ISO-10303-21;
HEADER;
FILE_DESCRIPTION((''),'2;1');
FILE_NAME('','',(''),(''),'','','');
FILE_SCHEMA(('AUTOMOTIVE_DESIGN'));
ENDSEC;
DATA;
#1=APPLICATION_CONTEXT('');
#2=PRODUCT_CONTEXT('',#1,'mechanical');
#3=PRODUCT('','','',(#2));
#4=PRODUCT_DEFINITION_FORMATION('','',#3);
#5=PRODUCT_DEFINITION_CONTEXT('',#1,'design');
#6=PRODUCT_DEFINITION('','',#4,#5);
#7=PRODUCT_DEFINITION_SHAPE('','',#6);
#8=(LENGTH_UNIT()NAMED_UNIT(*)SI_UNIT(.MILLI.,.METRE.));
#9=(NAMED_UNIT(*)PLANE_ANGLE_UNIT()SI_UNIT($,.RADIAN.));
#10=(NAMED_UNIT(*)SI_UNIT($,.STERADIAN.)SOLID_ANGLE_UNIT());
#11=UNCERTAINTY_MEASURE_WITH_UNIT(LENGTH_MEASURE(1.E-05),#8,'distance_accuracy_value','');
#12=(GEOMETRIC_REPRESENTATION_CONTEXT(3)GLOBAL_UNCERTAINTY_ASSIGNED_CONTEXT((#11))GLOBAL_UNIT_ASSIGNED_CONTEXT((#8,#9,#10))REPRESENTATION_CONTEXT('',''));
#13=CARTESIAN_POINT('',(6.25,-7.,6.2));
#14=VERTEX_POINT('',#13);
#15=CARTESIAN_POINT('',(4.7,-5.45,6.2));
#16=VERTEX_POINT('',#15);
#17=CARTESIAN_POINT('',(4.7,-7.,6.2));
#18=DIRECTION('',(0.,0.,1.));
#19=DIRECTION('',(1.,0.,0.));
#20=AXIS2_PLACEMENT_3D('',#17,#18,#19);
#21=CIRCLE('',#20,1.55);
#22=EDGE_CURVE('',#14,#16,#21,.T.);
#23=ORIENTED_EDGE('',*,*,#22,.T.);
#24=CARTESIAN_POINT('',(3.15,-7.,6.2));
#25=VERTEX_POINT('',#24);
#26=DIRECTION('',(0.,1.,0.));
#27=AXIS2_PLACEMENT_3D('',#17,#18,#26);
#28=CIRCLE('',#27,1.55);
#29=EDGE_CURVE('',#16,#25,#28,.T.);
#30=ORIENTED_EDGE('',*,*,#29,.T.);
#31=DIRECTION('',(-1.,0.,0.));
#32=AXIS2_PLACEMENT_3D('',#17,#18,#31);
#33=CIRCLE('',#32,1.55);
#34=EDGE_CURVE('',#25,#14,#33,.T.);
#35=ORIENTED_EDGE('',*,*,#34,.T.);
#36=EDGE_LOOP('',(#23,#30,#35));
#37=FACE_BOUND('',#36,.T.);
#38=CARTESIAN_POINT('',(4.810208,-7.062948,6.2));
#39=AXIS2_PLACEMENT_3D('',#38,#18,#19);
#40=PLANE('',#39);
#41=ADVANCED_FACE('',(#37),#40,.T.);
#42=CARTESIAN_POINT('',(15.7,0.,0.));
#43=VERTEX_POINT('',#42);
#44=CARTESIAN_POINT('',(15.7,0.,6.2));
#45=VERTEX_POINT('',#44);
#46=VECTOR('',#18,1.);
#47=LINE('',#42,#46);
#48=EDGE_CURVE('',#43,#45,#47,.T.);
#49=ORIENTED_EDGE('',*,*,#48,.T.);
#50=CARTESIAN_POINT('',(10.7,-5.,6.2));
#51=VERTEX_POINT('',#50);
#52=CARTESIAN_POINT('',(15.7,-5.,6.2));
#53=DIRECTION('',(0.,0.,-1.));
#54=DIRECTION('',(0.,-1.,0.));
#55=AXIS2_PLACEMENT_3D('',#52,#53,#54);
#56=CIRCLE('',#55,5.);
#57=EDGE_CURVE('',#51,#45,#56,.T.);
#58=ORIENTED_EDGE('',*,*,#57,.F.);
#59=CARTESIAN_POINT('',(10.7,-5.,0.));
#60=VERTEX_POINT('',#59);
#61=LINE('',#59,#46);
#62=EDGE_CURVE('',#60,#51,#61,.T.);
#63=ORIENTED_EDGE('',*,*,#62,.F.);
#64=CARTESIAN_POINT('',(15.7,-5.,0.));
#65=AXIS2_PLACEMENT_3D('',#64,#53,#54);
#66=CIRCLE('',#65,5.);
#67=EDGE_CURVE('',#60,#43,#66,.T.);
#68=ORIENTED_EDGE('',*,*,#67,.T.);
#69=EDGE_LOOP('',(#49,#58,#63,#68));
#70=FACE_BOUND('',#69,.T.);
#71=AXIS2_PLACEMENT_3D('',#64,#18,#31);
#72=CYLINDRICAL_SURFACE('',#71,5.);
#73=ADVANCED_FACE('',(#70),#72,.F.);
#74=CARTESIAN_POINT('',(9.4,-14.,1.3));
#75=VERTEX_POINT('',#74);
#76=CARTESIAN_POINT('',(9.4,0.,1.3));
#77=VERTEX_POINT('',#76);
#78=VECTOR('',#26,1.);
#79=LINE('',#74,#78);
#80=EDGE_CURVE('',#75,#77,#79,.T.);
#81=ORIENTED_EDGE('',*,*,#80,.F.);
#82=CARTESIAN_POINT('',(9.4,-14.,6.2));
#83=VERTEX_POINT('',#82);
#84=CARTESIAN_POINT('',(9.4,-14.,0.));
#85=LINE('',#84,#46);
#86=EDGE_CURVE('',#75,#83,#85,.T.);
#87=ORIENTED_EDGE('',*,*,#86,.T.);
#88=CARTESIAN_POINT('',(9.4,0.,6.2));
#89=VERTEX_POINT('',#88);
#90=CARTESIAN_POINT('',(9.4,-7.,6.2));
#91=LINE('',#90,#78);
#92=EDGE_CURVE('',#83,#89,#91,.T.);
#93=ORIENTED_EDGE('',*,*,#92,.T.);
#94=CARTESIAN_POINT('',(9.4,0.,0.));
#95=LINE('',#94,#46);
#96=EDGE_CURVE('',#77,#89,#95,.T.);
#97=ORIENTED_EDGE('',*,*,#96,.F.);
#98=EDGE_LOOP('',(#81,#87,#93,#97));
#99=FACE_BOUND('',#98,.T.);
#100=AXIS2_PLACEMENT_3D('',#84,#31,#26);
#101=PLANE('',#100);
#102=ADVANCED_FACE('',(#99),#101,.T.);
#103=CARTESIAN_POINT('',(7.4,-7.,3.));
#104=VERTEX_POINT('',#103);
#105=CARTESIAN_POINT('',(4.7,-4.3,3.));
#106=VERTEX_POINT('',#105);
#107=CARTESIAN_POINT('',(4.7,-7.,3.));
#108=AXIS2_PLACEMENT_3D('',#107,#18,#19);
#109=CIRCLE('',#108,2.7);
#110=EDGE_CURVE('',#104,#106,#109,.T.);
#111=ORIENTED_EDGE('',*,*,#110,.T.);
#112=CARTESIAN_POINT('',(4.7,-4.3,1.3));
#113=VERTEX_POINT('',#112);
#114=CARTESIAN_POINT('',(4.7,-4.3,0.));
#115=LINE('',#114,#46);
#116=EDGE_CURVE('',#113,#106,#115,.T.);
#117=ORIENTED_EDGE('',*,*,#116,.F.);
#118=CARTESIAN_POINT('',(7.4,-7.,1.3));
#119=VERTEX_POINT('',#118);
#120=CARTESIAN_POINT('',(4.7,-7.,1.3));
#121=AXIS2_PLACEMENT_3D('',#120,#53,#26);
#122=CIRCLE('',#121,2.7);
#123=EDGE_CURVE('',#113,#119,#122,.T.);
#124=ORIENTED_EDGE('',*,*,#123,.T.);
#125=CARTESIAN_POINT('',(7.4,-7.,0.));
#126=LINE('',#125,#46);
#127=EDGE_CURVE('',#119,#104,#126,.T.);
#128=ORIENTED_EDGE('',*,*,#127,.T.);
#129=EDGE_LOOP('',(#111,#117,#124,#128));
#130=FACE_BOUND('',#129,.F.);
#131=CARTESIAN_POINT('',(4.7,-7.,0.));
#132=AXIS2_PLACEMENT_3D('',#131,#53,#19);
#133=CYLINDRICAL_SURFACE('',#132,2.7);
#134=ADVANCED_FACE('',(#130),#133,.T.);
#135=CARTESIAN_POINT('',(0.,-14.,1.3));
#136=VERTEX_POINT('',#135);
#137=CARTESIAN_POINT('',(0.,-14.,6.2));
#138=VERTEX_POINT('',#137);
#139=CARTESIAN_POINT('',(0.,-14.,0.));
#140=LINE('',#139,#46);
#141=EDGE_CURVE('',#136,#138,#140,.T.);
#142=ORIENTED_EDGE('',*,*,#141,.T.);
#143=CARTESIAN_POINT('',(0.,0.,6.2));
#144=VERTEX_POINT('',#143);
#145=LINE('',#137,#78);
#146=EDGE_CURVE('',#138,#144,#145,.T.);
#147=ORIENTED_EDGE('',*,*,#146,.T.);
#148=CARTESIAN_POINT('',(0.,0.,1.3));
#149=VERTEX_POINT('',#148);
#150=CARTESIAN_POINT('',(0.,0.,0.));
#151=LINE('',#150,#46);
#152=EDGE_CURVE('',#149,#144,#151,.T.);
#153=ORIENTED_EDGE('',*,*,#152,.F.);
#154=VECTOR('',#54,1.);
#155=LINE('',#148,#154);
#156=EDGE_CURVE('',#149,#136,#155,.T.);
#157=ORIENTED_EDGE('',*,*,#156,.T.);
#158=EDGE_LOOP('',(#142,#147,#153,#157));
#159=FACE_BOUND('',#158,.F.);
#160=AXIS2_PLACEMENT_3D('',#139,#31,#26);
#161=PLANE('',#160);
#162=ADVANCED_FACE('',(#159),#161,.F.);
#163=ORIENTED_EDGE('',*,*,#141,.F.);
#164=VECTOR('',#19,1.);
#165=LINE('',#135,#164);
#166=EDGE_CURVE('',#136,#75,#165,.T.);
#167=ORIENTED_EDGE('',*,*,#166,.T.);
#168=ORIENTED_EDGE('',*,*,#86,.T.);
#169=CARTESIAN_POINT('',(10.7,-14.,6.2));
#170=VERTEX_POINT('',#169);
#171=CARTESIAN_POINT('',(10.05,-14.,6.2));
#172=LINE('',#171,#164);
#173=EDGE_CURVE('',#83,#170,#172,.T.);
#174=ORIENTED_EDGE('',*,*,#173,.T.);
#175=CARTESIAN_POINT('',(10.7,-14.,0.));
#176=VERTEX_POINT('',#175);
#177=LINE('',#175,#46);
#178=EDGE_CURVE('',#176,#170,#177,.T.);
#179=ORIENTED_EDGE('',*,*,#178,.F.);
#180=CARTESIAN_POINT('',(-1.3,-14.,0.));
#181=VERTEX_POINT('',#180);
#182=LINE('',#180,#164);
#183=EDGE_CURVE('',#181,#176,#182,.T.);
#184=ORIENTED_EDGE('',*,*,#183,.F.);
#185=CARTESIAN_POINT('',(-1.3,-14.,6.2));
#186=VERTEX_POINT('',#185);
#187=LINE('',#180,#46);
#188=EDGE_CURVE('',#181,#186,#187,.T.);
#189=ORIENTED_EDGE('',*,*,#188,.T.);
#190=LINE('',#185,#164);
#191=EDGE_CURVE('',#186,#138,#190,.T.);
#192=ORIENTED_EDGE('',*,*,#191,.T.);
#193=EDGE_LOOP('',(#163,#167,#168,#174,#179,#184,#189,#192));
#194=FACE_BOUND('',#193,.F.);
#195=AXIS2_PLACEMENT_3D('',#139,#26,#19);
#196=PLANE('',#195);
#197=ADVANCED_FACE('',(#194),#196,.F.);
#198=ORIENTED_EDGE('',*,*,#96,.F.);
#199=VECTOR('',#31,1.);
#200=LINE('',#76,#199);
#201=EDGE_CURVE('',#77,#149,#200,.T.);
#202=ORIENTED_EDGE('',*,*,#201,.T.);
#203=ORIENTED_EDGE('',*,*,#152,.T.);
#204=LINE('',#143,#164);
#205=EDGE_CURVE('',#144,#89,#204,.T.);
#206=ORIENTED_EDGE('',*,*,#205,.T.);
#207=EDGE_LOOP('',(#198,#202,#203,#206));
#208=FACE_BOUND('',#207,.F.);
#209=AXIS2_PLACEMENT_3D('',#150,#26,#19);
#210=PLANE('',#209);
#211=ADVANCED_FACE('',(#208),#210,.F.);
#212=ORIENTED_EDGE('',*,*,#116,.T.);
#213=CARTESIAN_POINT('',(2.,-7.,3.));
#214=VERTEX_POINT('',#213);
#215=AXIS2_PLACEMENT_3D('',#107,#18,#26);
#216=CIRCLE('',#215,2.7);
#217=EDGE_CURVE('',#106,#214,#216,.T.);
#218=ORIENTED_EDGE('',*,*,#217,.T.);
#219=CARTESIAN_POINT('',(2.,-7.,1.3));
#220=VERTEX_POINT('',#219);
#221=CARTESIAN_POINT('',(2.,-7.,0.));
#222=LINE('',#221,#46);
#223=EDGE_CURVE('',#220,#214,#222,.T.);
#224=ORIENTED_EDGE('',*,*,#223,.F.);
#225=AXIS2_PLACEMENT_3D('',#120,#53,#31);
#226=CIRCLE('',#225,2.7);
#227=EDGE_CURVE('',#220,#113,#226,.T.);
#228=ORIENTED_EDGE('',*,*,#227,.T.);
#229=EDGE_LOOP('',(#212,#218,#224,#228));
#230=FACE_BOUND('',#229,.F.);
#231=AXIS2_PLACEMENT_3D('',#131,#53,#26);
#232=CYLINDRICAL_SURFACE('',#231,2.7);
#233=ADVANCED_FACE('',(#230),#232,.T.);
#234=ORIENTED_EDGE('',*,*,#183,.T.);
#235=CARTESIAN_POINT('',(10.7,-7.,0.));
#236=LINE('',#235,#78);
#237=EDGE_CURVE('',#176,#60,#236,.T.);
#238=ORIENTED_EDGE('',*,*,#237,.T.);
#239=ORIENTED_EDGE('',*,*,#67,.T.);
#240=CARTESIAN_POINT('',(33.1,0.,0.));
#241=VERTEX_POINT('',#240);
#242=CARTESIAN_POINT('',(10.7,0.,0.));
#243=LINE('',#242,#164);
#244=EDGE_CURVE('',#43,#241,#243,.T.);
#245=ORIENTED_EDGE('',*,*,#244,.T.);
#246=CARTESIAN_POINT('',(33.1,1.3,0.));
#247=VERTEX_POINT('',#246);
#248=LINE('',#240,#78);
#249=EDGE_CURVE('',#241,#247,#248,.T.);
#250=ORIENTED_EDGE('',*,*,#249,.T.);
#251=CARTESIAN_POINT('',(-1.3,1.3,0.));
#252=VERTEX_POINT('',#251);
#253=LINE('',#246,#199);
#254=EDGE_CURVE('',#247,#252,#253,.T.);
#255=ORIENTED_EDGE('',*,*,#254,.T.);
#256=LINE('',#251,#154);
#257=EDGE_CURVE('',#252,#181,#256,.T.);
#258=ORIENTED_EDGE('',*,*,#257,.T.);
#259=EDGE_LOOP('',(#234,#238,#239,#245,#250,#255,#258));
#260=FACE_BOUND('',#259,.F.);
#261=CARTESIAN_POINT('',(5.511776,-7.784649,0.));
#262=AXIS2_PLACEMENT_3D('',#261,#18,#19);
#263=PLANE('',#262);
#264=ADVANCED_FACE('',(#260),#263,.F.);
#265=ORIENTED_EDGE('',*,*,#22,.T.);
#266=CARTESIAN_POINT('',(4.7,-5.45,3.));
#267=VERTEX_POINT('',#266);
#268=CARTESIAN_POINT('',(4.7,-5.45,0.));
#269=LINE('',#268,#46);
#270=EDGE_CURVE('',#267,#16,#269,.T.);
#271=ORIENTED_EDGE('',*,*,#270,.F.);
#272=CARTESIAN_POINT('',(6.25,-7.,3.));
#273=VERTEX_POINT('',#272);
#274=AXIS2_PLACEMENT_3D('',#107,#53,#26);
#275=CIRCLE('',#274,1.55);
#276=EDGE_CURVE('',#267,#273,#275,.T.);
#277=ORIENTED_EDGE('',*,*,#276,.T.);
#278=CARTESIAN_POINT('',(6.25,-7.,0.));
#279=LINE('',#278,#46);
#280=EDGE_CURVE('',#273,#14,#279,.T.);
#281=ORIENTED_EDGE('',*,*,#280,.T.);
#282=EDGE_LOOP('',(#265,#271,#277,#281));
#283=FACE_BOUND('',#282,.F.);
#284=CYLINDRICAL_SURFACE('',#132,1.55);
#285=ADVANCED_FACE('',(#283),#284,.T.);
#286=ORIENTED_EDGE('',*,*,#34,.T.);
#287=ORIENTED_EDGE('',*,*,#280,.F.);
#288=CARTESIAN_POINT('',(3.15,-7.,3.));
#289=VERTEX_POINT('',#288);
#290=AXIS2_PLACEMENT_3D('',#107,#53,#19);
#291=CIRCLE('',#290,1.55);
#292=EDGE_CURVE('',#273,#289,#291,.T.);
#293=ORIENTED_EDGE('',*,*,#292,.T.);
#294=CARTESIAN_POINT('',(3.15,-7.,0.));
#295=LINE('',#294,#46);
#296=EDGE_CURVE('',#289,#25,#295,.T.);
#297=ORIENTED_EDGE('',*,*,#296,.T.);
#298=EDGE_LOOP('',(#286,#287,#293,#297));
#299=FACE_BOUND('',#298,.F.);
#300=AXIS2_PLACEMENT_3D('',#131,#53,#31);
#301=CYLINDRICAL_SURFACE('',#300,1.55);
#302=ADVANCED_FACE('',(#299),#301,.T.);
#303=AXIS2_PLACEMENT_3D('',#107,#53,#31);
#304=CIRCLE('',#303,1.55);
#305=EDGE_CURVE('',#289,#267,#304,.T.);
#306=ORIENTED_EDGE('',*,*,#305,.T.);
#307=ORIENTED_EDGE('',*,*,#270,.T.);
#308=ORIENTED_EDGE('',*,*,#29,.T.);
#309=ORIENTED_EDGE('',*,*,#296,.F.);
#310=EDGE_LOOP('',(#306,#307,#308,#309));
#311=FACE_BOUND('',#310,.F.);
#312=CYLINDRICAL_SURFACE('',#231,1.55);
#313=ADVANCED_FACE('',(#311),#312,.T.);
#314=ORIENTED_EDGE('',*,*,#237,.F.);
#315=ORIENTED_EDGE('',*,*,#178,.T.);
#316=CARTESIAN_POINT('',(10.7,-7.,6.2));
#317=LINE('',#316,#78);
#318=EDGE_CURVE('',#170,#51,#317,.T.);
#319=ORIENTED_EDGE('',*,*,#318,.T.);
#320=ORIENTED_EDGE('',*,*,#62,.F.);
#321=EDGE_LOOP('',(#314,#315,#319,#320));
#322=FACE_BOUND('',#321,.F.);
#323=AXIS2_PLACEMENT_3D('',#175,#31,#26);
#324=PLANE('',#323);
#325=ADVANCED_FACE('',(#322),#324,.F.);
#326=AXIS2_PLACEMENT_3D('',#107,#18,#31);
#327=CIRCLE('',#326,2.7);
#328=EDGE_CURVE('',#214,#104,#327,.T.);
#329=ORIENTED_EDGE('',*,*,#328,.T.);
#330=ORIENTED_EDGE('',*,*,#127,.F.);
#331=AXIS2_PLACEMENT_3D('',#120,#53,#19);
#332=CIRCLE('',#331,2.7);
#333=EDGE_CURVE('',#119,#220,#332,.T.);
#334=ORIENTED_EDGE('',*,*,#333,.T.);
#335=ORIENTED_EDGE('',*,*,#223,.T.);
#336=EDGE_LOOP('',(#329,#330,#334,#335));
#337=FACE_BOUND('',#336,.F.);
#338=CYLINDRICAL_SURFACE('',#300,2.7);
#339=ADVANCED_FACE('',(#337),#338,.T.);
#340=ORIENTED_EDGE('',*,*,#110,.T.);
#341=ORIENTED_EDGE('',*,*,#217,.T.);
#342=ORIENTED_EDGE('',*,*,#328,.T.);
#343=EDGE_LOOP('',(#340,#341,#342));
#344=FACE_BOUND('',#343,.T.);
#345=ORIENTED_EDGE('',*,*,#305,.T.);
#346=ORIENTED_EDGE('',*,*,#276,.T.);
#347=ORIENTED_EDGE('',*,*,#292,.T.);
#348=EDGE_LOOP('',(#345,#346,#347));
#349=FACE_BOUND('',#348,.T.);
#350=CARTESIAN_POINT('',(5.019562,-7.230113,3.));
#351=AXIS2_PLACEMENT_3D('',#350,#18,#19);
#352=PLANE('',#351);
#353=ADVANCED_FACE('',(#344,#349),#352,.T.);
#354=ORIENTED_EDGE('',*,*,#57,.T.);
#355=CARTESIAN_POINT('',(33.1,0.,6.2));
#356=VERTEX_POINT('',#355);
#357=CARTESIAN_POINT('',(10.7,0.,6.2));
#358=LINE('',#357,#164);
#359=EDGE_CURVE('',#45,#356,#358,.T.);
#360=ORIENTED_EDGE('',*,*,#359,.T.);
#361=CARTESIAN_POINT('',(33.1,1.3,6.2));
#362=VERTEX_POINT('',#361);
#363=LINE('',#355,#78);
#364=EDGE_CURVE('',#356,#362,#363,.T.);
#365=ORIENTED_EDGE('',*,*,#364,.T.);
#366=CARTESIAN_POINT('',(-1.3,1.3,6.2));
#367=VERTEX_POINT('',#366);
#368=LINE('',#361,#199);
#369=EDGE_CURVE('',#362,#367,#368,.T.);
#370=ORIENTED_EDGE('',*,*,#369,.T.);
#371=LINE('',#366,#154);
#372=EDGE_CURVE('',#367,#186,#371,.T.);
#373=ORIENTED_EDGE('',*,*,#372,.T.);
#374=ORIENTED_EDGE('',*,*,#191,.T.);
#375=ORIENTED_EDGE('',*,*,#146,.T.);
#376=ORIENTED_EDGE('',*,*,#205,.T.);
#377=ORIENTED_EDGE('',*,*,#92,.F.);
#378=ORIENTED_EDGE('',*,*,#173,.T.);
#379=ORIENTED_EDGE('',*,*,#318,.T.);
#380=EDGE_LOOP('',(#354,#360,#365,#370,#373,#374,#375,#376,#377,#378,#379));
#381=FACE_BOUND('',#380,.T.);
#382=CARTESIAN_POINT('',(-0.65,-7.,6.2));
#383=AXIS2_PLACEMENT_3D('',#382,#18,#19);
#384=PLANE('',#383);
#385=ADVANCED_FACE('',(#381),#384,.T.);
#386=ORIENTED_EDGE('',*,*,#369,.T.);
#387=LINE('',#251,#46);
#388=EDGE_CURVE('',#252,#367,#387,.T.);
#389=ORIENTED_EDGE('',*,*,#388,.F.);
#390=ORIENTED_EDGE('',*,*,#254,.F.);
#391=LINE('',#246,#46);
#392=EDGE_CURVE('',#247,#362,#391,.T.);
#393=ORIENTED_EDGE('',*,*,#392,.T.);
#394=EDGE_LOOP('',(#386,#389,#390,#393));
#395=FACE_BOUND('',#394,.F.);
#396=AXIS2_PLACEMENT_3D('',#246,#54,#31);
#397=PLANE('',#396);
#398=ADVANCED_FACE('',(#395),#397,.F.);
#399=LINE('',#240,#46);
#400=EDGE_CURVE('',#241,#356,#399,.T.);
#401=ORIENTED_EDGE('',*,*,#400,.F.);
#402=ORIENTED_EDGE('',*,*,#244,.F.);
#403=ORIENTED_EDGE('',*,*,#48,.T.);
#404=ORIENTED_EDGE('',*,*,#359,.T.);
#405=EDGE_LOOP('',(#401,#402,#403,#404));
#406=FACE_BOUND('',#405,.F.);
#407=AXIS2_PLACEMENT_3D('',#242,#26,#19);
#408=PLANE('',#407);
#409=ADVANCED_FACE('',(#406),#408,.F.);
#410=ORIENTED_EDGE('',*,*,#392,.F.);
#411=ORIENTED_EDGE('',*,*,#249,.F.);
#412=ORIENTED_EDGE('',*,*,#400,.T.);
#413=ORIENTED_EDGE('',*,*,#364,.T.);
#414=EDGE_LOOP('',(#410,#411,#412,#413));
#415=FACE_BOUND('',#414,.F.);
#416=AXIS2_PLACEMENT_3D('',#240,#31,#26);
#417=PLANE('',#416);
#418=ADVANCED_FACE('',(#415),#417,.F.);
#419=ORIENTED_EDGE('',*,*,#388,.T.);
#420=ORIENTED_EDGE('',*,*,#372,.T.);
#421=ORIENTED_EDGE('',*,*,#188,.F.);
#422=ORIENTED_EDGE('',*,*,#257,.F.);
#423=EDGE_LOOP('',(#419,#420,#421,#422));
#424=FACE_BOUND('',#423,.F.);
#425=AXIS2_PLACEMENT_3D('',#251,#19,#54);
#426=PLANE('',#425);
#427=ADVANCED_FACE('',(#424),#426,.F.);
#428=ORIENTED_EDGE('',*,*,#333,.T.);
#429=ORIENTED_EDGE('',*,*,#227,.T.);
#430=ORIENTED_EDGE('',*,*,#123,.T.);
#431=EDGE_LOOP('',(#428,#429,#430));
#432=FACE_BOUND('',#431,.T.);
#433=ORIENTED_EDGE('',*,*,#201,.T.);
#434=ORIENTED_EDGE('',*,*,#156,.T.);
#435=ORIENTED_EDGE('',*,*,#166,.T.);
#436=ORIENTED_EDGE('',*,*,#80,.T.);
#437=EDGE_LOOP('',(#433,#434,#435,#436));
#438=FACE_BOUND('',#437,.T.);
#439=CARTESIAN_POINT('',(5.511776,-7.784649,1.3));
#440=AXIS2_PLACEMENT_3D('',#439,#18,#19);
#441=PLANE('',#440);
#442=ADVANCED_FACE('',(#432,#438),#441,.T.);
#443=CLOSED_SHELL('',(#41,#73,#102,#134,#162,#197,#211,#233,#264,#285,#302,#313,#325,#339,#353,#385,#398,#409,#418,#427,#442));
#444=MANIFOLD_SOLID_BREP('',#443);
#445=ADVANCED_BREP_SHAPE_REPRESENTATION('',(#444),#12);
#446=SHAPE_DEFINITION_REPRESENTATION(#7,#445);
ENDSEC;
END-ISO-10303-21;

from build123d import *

# Parameters (mm, degrees)
F1_DEPTH = 6.2
F0_W     = 1.3
F0_H     = 14
F2_DEPTH = 3
F3_DEPTH = 1.3
F4_R     = 5


with BuildPart() as f1:
    # F0 (on Top) → F1 (new body)
    with BuildSketch(Plane.XY):
        with BuildLine():
            ThreePointArc((6.25, -7), (5.7960155108, -5.9039844892), (4.7, -5.45))
            Line((4.7, -5.45), (4.7, -7))
            Line((4.7, -7), (3.15, -7))
            ThreePointArc((3.15, -7), (4.7, -8.55), (6.25, -7))
        make_face()
        with BuildLine():
            Line((4.7, -7), (4.7, -5.45))
            ThreePointArc((4.7, -5.45), (3.6039844892, -5.9039844892), (3.15, -7))
            Line((3.15, -7), (4.7, -7))
        make_face()
    extrude(amount=F1_DEPTH)

    # F0 (on Top) → F2 (join)
    with BuildSketch(Plane.XY):
        with BuildLine():
            ThreePointArc((7.4, -7), (6.6091883092, -5.0908116908), (4.7, -4.3))
            Line((4.7, -4.3), (4.7, -5.45))
            ThreePointArc((4.7, -5.45), (5.7960155108, -5.9039844892), (6.25, -7))
            ThreePointArc((6.25, -7), (4.7, -8.55), (3.15, -7))
            Line((3.15, -7), (2, -7))
            ThreePointArc((2, -7), (4.7, -9.7), (7.4, -7))
        make_face()
        with BuildLine():
            Line((4.7, -5.45), (4.7, -4.3))
            ThreePointArc((4.7, -4.3), (2.7908116908, -5.0908116908), (2, -7))
            Line((2, -7), (3.15, -7))
            ThreePointArc((3.15, -7), (3.6039844892, -5.9039844892), (4.7, -5.45))
        make_face()
    extrude(amount=F2_DEPTH)



with BuildPart() as f1b:
    # F0 (on Top) → F1, piece 2 (new body)
    with BuildSketch(Plane.XY):
        Polygon((0, -7), (0, 0), (-1.3, 0), (-1.3, -14), (0, -14), align=None)
        with Locations((10.05, -7)):
            Rectangle(F0_W, F0_H)
        Polygon((-1.3, 0), (0, 0), (4.7, 0), (9.4, 0), (10.7, 0), (33.1, 0), (33.1, 1.3), (-1.3, 1.3), align=None)
    extrude(amount=F1_DEPTH)


with BuildPart() as f1_1:
    add(f1.part)

    add(f1b.part)  # F3 merges F1b
    # F0 (on Top) → F3 (join)
    with BuildSketch(Plane.XY):
        with BuildLine():
            Line((9.4, 0), (4.7, 0))
            Line((4.7, 0), (4.7, -4.3))
            ThreePointArc((4.7, -4.3), (6.6091883092, -5.0908116908), (7.4, -7))
            ThreePointArc((7.4, -7), (4.7, -9.7), (2, -7))
            Line((2, -7), (0, -7))
            Line((0, -7), (0, -14))
            Line((0, -14), (9.4, -14))
            Line((9.4, -14), (9.4, 0))
        make_face()
        with BuildLine():
            Line((4.7, 0), (0, 0))
            Line((0, 0), (0, -7))
            Line((0, -7), (2, -7))
            ThreePointArc((2, -7), (2.7908116908, -5.0908116908), (4.7, -4.3))
            Line((4.7, -4.3), (4.7, 0))
        make_face()
    extrude(amount=F3_DEPTH)

    # F4
    f4_edges = [f1_1.edges().sort_by_distance(p)[0] for p in [
        (10.7, 0, 3.1),
    ]]
    fillet(f4_edges, radius=F4_R)


solid = f1_1.part
